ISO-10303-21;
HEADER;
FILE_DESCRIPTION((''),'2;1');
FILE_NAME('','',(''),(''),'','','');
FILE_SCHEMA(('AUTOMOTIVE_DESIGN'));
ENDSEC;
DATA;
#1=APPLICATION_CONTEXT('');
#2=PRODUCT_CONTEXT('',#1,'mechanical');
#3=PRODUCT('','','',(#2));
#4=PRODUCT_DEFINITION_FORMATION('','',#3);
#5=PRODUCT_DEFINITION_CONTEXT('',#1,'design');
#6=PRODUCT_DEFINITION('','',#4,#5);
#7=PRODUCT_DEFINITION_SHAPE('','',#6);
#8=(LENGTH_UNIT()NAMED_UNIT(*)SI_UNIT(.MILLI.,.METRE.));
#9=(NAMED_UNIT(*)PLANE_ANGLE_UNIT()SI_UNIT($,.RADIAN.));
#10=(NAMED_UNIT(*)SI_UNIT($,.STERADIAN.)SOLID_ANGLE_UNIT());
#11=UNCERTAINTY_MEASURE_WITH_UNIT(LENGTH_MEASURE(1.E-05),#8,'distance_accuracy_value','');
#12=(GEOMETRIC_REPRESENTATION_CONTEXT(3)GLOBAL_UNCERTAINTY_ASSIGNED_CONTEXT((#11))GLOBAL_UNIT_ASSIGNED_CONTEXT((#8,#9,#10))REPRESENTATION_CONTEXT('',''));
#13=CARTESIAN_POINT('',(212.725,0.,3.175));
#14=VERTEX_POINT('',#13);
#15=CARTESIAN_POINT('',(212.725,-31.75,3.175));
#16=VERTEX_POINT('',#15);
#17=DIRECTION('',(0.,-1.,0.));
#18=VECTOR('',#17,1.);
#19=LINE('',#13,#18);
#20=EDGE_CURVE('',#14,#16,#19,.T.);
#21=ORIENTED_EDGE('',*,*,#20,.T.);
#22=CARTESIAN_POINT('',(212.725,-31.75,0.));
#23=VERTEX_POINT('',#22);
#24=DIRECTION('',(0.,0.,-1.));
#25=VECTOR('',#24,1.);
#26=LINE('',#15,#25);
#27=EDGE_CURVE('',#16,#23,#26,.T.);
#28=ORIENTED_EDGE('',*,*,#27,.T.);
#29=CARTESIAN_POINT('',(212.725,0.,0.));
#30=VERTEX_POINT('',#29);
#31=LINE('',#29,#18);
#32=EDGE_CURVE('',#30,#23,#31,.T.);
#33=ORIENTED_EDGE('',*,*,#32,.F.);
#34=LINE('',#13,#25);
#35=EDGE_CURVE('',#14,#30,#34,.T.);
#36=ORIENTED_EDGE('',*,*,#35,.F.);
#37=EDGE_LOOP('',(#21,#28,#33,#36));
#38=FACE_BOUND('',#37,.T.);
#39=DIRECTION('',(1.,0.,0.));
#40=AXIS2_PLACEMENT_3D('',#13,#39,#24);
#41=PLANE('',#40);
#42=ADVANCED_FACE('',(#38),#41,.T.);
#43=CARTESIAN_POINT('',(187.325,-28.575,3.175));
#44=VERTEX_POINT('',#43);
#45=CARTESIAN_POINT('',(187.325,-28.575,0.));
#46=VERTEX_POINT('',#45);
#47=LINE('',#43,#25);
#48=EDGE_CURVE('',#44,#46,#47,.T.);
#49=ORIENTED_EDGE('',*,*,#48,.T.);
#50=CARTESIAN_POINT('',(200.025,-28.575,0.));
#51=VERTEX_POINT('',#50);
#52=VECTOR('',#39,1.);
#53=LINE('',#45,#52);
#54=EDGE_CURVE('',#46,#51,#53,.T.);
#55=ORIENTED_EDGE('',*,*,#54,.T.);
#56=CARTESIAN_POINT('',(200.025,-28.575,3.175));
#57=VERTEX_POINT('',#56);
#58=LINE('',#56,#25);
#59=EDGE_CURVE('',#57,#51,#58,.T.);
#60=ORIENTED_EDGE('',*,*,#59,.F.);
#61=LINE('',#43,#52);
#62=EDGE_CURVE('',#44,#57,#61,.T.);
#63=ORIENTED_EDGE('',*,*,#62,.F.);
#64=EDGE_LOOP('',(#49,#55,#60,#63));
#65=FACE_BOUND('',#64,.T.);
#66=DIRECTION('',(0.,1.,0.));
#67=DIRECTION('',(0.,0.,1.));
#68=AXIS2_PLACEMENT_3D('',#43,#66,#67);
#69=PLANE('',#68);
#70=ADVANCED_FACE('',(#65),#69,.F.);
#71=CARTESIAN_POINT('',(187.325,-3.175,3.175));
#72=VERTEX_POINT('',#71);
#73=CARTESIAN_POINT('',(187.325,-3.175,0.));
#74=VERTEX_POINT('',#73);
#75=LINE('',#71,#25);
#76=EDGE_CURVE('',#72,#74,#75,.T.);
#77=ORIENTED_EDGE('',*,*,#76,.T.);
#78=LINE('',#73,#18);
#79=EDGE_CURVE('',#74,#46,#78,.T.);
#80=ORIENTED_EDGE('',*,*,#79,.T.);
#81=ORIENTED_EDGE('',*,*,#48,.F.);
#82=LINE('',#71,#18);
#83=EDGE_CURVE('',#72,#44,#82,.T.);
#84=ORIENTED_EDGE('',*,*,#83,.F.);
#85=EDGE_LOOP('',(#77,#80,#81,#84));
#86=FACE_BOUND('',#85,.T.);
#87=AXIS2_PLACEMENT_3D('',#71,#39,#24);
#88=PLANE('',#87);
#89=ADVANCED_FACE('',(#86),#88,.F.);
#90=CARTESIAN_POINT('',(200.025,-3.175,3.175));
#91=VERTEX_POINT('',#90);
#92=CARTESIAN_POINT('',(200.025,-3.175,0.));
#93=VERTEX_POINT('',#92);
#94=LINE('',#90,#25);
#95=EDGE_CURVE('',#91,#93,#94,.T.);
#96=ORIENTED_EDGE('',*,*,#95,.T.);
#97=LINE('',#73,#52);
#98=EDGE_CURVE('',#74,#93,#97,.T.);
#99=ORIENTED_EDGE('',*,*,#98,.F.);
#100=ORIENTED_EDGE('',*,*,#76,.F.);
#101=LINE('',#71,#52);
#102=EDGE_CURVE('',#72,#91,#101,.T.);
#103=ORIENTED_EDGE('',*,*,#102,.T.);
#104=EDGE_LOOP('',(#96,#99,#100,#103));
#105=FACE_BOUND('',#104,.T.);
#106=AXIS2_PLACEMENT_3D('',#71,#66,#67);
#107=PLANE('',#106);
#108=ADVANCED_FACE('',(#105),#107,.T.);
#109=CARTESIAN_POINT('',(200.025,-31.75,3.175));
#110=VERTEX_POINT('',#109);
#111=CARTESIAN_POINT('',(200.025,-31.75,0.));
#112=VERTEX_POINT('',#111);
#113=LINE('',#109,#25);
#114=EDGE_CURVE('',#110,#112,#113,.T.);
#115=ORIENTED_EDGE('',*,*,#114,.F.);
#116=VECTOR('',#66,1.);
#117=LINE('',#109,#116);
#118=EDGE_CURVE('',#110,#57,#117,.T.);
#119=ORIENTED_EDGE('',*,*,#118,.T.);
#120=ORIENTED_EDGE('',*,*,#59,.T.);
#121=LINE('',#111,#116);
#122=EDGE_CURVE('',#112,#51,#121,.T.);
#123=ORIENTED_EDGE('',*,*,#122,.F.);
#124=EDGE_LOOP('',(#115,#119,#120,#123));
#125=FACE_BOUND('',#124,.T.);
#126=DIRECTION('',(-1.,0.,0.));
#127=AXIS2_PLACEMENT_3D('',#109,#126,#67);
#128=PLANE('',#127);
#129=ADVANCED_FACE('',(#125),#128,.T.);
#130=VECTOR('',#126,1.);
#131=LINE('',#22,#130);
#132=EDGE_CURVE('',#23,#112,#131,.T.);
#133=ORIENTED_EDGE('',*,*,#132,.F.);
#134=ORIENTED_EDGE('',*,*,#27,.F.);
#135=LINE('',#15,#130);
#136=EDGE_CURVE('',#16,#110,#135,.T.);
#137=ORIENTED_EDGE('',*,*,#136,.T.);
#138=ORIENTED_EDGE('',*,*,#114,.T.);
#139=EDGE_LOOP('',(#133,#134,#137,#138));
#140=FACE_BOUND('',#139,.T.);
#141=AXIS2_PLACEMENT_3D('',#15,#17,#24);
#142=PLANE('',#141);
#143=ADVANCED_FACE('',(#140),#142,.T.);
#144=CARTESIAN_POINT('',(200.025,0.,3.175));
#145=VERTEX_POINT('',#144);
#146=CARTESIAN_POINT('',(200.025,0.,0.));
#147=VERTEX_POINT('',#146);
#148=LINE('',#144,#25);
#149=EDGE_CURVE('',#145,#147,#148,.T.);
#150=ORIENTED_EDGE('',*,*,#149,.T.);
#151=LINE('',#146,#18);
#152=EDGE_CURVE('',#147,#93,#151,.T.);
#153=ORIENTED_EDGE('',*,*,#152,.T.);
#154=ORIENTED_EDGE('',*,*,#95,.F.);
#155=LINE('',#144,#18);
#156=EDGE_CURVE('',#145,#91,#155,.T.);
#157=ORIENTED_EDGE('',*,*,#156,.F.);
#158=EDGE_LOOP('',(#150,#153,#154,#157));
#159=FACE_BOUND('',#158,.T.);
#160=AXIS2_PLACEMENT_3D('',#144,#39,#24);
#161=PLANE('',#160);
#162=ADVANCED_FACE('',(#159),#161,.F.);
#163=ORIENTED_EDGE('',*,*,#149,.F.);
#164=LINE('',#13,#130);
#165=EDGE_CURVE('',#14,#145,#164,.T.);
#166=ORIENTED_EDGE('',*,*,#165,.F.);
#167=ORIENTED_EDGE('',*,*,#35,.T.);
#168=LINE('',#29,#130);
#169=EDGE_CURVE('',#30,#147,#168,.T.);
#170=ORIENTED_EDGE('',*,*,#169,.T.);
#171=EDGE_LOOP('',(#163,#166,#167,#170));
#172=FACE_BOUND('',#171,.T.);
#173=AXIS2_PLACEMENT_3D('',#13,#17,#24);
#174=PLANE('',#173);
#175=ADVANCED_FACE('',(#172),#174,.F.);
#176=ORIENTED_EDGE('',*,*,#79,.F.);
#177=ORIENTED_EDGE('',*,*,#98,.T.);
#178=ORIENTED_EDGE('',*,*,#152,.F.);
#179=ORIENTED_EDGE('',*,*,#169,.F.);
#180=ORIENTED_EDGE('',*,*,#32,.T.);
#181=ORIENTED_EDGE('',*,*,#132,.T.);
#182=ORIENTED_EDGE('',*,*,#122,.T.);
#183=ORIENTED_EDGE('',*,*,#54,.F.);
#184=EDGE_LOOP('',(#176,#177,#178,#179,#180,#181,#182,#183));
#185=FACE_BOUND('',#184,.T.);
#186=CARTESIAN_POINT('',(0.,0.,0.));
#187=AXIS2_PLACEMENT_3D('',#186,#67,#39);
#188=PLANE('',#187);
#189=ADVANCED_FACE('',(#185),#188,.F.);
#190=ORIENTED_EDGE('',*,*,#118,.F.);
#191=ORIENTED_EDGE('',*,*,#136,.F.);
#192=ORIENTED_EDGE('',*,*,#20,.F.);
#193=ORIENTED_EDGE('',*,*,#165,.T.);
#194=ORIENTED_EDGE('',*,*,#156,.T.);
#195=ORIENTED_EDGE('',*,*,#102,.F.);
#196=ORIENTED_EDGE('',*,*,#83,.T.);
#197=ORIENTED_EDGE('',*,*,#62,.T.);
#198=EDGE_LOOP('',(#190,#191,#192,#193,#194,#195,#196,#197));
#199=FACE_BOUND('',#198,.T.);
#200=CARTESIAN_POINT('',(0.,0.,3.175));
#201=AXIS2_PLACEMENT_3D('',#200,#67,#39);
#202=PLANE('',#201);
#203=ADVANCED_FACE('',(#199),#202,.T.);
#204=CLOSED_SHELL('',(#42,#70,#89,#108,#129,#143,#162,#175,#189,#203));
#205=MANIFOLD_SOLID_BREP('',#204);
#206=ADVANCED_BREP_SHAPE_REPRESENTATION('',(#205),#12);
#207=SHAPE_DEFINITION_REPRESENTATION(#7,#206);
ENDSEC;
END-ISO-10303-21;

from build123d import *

# Parameters (mm, degrees)
BOSS_EXTRUDE1_DEPTH = 3.175


with BuildPart() as part:
    # Sketch1 → Boss-Extrude1 (new body)
    with BuildSketch(Plane.XY):
        Polygon((212.725, 0), (200.025, 0), (200.025, -3.175), (187.325, -3.175), (187.325, -28.575), (200.025, -28.575), (200.025, -31.75), (212.725, -31.75), align=None)
    extrude(amount=BOSS_EXTRUDE1_DEPTH)


solid = part.part
